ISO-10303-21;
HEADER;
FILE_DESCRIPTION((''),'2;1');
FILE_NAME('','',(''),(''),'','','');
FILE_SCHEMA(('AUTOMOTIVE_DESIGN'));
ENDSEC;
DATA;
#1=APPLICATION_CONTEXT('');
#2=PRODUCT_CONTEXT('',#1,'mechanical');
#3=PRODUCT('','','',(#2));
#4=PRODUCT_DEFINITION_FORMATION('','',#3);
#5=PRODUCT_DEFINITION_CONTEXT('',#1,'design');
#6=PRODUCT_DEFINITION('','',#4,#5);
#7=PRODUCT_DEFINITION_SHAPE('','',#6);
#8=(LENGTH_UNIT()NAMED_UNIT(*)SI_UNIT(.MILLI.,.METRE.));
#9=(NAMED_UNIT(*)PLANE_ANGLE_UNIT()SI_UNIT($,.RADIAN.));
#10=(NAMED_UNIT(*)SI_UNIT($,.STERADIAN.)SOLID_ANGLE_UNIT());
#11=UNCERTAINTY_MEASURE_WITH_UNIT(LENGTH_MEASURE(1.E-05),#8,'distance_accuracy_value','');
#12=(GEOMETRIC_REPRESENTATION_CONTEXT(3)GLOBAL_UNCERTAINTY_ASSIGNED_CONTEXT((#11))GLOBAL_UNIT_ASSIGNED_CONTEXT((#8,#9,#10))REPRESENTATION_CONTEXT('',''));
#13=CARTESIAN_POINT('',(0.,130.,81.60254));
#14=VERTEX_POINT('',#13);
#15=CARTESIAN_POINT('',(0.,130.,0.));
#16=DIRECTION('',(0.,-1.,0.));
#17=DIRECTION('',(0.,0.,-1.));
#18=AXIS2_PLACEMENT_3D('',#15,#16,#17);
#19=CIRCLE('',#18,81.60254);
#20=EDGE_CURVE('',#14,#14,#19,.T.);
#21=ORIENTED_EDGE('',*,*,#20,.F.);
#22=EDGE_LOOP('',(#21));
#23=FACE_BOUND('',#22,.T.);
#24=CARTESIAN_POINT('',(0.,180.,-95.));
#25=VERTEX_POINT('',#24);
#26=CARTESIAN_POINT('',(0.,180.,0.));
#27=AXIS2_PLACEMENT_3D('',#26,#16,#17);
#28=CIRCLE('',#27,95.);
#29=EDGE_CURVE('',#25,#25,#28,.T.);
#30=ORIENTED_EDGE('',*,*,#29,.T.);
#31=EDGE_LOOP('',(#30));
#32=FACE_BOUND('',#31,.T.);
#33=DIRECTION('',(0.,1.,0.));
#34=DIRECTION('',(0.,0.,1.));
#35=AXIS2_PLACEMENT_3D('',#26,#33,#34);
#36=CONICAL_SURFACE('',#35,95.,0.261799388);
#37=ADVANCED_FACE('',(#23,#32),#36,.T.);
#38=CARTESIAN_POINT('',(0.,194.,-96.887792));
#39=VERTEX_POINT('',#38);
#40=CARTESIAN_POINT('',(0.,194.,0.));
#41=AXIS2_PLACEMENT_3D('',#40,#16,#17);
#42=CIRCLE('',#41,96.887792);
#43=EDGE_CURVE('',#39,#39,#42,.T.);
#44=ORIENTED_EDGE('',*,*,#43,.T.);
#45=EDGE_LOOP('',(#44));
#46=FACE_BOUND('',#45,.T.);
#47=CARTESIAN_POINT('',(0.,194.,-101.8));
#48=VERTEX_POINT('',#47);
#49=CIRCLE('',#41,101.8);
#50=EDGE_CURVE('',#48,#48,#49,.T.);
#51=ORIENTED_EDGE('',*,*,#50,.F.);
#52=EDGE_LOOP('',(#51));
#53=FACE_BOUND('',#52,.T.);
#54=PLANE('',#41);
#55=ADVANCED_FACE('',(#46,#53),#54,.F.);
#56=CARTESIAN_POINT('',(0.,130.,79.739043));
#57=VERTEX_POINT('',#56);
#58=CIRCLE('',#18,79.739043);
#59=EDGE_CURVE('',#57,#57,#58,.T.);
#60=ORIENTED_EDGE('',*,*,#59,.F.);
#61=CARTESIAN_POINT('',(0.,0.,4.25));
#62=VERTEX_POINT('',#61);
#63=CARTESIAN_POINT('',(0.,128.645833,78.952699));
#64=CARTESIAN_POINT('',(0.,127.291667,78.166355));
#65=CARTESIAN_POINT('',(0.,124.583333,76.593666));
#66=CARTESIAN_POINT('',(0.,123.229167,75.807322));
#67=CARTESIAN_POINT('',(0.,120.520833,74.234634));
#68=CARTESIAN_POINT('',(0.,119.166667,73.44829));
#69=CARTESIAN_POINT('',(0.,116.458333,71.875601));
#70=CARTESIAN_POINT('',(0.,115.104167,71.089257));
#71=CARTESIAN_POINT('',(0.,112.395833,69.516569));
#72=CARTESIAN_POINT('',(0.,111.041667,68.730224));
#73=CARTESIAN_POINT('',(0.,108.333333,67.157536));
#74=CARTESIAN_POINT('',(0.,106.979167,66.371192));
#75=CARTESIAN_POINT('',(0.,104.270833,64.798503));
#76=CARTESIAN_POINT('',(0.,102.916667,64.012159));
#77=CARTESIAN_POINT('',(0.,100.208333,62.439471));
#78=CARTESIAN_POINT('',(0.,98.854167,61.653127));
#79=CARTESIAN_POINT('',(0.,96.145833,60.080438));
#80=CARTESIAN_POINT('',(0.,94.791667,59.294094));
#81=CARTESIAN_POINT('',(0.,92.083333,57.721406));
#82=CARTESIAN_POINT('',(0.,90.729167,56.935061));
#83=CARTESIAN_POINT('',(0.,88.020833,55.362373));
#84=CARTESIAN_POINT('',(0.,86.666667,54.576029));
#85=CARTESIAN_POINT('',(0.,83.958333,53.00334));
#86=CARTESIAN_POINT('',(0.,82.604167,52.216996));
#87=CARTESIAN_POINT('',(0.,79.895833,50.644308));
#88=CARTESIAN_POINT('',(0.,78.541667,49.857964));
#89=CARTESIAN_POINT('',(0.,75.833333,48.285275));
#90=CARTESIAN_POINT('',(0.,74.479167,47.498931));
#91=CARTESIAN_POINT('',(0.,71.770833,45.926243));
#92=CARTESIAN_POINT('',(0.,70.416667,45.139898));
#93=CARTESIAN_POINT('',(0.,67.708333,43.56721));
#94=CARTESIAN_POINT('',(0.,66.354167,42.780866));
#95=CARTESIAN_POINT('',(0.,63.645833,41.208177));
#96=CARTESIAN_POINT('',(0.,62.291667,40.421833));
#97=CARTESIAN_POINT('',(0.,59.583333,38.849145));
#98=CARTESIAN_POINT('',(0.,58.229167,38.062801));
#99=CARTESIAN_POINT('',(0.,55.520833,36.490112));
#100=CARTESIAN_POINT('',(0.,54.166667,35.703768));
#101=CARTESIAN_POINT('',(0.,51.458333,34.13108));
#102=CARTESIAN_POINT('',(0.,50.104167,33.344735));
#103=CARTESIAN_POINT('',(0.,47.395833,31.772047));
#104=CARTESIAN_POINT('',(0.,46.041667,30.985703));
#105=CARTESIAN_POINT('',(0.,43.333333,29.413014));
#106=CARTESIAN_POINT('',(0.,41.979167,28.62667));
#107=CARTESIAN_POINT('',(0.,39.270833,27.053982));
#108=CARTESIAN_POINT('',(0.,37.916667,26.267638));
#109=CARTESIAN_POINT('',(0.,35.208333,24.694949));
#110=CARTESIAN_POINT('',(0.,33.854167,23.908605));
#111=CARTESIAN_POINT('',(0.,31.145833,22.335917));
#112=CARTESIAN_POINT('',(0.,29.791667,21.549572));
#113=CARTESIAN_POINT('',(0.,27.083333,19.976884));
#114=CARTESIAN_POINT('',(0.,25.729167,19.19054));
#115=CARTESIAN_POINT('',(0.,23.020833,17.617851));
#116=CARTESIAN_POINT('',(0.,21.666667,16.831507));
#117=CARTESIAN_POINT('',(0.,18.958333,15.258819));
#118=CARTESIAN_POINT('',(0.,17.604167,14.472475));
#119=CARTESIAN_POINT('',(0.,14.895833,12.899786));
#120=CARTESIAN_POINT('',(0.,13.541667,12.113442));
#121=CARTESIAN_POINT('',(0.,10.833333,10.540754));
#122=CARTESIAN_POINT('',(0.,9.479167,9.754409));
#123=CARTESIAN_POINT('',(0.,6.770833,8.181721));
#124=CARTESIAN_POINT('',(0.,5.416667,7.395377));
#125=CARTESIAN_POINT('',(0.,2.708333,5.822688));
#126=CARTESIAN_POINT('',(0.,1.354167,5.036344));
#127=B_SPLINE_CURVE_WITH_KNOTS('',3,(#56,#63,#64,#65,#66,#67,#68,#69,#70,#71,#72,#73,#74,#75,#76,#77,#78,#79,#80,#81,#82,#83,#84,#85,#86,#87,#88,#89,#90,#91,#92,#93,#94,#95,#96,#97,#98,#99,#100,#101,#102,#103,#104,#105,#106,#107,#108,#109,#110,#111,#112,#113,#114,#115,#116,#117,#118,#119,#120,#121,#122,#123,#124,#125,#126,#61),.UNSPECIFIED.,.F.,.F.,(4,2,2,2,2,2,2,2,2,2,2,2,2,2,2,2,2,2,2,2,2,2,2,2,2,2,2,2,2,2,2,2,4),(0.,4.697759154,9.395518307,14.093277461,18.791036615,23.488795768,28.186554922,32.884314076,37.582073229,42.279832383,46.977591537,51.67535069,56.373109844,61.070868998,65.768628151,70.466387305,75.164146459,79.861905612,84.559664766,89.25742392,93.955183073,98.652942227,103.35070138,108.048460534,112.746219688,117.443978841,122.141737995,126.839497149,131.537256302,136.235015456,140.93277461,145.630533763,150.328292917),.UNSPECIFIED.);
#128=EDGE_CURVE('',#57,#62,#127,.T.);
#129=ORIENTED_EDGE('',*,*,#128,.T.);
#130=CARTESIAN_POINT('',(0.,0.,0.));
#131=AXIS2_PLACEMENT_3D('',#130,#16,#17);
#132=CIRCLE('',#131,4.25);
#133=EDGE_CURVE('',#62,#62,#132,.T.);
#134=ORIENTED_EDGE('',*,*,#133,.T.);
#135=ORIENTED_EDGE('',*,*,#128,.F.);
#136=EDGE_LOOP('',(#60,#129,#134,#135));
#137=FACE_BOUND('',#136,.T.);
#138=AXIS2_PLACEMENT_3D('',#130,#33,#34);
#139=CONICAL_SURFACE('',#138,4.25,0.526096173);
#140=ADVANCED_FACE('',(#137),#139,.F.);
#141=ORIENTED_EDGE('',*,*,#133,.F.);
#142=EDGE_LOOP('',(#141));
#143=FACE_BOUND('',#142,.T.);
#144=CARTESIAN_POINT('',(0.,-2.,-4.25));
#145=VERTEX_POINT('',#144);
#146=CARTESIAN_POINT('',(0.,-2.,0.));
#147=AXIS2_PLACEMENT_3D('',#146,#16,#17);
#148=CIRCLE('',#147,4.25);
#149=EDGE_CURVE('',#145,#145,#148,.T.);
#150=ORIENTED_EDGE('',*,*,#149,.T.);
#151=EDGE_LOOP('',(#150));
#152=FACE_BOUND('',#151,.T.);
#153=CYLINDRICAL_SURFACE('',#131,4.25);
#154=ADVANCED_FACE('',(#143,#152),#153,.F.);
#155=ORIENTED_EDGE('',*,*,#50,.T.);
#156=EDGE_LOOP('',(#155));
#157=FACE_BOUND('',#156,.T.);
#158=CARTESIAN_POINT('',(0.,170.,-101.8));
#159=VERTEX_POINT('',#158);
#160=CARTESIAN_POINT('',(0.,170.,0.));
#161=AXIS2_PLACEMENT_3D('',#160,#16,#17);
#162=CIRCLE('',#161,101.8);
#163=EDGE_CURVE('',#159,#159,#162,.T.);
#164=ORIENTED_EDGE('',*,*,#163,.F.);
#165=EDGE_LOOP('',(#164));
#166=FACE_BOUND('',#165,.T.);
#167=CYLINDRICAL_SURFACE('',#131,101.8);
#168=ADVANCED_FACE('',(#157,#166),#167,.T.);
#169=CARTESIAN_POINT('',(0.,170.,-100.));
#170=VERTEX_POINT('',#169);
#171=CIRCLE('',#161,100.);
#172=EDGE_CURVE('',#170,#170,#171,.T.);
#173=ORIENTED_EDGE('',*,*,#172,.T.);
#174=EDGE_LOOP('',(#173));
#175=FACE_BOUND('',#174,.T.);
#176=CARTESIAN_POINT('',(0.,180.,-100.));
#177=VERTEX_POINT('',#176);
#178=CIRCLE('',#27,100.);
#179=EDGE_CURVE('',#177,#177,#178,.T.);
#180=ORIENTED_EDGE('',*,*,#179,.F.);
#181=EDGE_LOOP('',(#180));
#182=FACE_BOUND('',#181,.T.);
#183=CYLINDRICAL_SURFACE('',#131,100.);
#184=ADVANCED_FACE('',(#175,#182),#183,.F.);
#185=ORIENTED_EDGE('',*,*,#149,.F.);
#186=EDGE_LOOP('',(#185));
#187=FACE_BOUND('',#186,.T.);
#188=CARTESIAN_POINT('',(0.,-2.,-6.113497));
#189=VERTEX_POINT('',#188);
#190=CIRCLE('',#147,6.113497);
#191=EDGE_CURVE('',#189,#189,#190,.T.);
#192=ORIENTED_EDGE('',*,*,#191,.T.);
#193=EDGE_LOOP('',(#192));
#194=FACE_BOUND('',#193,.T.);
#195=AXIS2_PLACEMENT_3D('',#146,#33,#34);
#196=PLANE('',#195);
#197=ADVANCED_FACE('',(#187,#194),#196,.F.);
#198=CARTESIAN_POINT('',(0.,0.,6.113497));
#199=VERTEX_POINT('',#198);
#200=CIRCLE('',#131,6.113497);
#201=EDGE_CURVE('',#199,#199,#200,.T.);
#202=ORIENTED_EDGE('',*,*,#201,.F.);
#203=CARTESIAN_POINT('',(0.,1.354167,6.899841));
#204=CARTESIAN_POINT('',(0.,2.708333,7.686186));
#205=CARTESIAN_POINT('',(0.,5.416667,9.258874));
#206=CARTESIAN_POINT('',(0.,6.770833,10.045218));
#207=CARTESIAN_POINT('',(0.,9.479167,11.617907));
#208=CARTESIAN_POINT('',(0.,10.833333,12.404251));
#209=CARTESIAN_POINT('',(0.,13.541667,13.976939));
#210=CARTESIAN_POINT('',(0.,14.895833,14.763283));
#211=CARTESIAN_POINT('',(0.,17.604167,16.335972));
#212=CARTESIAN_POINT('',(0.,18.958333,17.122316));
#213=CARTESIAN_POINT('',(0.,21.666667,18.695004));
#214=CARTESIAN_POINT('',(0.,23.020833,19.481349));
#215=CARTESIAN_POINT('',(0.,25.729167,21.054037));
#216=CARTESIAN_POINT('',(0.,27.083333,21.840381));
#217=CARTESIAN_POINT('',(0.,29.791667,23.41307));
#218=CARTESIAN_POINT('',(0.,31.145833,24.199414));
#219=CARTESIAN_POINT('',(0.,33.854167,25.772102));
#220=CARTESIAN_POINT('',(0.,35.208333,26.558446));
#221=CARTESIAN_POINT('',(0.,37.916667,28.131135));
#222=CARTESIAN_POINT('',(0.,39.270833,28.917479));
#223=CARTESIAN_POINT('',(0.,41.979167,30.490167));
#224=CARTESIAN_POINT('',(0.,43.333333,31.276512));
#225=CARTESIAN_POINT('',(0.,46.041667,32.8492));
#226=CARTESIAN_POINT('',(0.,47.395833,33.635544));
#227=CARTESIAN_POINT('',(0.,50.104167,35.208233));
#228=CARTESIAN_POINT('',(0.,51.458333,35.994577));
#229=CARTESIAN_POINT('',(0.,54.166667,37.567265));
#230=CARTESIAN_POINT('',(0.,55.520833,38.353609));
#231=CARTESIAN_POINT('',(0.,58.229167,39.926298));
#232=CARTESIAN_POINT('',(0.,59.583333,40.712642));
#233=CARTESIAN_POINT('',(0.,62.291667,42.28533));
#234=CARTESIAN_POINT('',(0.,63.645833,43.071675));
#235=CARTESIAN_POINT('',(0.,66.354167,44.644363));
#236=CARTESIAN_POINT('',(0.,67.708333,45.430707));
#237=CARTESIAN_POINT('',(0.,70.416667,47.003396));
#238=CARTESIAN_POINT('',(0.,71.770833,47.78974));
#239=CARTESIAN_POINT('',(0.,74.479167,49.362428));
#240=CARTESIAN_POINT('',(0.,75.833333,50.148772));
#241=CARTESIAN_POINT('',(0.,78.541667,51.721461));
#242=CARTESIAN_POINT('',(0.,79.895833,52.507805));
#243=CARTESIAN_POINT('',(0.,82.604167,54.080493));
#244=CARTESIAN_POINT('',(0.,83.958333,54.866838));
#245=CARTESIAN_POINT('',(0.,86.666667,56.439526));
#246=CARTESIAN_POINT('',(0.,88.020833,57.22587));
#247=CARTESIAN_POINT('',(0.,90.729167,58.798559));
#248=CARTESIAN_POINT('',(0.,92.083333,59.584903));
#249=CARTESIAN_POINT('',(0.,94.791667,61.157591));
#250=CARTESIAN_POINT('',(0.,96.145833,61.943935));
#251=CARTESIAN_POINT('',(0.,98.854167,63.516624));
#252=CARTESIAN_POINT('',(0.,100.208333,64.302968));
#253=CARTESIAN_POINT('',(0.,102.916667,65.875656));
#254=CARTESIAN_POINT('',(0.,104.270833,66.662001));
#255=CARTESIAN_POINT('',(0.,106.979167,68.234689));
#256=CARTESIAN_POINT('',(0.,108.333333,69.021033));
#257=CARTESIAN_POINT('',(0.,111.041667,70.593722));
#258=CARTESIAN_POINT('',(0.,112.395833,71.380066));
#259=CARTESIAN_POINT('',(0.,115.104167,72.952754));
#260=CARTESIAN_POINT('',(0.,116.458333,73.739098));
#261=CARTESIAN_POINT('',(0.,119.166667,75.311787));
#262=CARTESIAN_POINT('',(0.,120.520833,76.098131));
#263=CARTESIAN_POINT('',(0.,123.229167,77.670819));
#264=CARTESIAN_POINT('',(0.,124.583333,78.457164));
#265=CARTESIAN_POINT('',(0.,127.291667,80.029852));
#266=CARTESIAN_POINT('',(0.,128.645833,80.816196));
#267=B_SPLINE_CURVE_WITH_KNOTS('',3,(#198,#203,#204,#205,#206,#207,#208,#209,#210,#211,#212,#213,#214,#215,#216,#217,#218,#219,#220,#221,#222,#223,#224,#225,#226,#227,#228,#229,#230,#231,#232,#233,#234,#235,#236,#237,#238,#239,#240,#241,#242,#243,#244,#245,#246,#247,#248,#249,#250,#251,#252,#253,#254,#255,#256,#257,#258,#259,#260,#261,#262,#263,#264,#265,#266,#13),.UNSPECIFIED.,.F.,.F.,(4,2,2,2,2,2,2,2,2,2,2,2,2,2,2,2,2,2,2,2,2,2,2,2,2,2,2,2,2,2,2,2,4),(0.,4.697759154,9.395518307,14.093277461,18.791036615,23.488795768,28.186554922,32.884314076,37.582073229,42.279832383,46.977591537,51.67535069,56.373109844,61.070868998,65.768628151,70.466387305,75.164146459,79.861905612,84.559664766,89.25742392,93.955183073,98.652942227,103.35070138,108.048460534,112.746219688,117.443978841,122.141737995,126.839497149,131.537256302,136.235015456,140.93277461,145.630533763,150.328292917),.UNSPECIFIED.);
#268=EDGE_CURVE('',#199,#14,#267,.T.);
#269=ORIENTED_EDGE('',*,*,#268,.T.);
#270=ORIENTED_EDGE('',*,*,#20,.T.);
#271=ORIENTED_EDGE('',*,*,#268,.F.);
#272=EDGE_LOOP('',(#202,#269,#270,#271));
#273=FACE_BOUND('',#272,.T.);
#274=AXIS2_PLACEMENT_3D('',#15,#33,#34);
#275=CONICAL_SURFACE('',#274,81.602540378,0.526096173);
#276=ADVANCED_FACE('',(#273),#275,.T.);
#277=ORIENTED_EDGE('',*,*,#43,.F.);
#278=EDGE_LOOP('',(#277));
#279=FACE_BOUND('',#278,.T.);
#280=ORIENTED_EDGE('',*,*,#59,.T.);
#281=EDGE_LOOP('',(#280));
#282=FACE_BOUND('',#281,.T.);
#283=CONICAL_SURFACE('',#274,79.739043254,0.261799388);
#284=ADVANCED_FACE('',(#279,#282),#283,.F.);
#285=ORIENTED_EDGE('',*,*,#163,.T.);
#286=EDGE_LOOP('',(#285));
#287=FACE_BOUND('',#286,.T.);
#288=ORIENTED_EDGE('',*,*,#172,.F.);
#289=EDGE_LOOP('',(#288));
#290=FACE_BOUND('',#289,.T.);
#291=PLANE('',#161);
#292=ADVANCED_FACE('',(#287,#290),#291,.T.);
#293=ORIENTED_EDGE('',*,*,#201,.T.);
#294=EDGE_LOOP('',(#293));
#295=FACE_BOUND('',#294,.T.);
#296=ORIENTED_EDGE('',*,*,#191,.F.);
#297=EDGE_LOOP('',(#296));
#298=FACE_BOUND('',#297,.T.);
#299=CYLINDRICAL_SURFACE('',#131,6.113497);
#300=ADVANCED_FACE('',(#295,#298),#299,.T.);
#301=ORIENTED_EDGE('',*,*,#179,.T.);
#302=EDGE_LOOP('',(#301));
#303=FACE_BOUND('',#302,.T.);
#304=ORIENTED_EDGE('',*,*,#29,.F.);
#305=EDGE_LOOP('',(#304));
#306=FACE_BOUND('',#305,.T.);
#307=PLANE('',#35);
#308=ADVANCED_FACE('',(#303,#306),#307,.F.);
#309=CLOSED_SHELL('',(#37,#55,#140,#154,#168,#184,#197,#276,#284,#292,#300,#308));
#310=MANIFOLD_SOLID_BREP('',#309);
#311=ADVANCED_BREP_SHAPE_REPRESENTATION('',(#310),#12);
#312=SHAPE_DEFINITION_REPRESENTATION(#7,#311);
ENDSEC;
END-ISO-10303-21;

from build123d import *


with BuildPart() as part:
    # Schizzo1 → Rivoluzione1 (revolve)
    with BuildSketch(Plane(origin=(0, 0, 0), x_dir=(0, 0, -1), z_dir=(1, 0, 0))):
        Polygon((-100, 180), (-95, 180), (-81.602540378, 130), (-6.113497125, 0), (-6.113497125, -2), (-4.25, -2), (-4.25, 0), (-79.739043254, 130), (-93.261333513, 180.465874281), (-96.887791569, 194), (-101.8, 194), (-101.8, 170), (-100, 170), align=None)
    revolve(axis=Axis((0, 0, 0), (0, 1, 0)))


solid = part.part
